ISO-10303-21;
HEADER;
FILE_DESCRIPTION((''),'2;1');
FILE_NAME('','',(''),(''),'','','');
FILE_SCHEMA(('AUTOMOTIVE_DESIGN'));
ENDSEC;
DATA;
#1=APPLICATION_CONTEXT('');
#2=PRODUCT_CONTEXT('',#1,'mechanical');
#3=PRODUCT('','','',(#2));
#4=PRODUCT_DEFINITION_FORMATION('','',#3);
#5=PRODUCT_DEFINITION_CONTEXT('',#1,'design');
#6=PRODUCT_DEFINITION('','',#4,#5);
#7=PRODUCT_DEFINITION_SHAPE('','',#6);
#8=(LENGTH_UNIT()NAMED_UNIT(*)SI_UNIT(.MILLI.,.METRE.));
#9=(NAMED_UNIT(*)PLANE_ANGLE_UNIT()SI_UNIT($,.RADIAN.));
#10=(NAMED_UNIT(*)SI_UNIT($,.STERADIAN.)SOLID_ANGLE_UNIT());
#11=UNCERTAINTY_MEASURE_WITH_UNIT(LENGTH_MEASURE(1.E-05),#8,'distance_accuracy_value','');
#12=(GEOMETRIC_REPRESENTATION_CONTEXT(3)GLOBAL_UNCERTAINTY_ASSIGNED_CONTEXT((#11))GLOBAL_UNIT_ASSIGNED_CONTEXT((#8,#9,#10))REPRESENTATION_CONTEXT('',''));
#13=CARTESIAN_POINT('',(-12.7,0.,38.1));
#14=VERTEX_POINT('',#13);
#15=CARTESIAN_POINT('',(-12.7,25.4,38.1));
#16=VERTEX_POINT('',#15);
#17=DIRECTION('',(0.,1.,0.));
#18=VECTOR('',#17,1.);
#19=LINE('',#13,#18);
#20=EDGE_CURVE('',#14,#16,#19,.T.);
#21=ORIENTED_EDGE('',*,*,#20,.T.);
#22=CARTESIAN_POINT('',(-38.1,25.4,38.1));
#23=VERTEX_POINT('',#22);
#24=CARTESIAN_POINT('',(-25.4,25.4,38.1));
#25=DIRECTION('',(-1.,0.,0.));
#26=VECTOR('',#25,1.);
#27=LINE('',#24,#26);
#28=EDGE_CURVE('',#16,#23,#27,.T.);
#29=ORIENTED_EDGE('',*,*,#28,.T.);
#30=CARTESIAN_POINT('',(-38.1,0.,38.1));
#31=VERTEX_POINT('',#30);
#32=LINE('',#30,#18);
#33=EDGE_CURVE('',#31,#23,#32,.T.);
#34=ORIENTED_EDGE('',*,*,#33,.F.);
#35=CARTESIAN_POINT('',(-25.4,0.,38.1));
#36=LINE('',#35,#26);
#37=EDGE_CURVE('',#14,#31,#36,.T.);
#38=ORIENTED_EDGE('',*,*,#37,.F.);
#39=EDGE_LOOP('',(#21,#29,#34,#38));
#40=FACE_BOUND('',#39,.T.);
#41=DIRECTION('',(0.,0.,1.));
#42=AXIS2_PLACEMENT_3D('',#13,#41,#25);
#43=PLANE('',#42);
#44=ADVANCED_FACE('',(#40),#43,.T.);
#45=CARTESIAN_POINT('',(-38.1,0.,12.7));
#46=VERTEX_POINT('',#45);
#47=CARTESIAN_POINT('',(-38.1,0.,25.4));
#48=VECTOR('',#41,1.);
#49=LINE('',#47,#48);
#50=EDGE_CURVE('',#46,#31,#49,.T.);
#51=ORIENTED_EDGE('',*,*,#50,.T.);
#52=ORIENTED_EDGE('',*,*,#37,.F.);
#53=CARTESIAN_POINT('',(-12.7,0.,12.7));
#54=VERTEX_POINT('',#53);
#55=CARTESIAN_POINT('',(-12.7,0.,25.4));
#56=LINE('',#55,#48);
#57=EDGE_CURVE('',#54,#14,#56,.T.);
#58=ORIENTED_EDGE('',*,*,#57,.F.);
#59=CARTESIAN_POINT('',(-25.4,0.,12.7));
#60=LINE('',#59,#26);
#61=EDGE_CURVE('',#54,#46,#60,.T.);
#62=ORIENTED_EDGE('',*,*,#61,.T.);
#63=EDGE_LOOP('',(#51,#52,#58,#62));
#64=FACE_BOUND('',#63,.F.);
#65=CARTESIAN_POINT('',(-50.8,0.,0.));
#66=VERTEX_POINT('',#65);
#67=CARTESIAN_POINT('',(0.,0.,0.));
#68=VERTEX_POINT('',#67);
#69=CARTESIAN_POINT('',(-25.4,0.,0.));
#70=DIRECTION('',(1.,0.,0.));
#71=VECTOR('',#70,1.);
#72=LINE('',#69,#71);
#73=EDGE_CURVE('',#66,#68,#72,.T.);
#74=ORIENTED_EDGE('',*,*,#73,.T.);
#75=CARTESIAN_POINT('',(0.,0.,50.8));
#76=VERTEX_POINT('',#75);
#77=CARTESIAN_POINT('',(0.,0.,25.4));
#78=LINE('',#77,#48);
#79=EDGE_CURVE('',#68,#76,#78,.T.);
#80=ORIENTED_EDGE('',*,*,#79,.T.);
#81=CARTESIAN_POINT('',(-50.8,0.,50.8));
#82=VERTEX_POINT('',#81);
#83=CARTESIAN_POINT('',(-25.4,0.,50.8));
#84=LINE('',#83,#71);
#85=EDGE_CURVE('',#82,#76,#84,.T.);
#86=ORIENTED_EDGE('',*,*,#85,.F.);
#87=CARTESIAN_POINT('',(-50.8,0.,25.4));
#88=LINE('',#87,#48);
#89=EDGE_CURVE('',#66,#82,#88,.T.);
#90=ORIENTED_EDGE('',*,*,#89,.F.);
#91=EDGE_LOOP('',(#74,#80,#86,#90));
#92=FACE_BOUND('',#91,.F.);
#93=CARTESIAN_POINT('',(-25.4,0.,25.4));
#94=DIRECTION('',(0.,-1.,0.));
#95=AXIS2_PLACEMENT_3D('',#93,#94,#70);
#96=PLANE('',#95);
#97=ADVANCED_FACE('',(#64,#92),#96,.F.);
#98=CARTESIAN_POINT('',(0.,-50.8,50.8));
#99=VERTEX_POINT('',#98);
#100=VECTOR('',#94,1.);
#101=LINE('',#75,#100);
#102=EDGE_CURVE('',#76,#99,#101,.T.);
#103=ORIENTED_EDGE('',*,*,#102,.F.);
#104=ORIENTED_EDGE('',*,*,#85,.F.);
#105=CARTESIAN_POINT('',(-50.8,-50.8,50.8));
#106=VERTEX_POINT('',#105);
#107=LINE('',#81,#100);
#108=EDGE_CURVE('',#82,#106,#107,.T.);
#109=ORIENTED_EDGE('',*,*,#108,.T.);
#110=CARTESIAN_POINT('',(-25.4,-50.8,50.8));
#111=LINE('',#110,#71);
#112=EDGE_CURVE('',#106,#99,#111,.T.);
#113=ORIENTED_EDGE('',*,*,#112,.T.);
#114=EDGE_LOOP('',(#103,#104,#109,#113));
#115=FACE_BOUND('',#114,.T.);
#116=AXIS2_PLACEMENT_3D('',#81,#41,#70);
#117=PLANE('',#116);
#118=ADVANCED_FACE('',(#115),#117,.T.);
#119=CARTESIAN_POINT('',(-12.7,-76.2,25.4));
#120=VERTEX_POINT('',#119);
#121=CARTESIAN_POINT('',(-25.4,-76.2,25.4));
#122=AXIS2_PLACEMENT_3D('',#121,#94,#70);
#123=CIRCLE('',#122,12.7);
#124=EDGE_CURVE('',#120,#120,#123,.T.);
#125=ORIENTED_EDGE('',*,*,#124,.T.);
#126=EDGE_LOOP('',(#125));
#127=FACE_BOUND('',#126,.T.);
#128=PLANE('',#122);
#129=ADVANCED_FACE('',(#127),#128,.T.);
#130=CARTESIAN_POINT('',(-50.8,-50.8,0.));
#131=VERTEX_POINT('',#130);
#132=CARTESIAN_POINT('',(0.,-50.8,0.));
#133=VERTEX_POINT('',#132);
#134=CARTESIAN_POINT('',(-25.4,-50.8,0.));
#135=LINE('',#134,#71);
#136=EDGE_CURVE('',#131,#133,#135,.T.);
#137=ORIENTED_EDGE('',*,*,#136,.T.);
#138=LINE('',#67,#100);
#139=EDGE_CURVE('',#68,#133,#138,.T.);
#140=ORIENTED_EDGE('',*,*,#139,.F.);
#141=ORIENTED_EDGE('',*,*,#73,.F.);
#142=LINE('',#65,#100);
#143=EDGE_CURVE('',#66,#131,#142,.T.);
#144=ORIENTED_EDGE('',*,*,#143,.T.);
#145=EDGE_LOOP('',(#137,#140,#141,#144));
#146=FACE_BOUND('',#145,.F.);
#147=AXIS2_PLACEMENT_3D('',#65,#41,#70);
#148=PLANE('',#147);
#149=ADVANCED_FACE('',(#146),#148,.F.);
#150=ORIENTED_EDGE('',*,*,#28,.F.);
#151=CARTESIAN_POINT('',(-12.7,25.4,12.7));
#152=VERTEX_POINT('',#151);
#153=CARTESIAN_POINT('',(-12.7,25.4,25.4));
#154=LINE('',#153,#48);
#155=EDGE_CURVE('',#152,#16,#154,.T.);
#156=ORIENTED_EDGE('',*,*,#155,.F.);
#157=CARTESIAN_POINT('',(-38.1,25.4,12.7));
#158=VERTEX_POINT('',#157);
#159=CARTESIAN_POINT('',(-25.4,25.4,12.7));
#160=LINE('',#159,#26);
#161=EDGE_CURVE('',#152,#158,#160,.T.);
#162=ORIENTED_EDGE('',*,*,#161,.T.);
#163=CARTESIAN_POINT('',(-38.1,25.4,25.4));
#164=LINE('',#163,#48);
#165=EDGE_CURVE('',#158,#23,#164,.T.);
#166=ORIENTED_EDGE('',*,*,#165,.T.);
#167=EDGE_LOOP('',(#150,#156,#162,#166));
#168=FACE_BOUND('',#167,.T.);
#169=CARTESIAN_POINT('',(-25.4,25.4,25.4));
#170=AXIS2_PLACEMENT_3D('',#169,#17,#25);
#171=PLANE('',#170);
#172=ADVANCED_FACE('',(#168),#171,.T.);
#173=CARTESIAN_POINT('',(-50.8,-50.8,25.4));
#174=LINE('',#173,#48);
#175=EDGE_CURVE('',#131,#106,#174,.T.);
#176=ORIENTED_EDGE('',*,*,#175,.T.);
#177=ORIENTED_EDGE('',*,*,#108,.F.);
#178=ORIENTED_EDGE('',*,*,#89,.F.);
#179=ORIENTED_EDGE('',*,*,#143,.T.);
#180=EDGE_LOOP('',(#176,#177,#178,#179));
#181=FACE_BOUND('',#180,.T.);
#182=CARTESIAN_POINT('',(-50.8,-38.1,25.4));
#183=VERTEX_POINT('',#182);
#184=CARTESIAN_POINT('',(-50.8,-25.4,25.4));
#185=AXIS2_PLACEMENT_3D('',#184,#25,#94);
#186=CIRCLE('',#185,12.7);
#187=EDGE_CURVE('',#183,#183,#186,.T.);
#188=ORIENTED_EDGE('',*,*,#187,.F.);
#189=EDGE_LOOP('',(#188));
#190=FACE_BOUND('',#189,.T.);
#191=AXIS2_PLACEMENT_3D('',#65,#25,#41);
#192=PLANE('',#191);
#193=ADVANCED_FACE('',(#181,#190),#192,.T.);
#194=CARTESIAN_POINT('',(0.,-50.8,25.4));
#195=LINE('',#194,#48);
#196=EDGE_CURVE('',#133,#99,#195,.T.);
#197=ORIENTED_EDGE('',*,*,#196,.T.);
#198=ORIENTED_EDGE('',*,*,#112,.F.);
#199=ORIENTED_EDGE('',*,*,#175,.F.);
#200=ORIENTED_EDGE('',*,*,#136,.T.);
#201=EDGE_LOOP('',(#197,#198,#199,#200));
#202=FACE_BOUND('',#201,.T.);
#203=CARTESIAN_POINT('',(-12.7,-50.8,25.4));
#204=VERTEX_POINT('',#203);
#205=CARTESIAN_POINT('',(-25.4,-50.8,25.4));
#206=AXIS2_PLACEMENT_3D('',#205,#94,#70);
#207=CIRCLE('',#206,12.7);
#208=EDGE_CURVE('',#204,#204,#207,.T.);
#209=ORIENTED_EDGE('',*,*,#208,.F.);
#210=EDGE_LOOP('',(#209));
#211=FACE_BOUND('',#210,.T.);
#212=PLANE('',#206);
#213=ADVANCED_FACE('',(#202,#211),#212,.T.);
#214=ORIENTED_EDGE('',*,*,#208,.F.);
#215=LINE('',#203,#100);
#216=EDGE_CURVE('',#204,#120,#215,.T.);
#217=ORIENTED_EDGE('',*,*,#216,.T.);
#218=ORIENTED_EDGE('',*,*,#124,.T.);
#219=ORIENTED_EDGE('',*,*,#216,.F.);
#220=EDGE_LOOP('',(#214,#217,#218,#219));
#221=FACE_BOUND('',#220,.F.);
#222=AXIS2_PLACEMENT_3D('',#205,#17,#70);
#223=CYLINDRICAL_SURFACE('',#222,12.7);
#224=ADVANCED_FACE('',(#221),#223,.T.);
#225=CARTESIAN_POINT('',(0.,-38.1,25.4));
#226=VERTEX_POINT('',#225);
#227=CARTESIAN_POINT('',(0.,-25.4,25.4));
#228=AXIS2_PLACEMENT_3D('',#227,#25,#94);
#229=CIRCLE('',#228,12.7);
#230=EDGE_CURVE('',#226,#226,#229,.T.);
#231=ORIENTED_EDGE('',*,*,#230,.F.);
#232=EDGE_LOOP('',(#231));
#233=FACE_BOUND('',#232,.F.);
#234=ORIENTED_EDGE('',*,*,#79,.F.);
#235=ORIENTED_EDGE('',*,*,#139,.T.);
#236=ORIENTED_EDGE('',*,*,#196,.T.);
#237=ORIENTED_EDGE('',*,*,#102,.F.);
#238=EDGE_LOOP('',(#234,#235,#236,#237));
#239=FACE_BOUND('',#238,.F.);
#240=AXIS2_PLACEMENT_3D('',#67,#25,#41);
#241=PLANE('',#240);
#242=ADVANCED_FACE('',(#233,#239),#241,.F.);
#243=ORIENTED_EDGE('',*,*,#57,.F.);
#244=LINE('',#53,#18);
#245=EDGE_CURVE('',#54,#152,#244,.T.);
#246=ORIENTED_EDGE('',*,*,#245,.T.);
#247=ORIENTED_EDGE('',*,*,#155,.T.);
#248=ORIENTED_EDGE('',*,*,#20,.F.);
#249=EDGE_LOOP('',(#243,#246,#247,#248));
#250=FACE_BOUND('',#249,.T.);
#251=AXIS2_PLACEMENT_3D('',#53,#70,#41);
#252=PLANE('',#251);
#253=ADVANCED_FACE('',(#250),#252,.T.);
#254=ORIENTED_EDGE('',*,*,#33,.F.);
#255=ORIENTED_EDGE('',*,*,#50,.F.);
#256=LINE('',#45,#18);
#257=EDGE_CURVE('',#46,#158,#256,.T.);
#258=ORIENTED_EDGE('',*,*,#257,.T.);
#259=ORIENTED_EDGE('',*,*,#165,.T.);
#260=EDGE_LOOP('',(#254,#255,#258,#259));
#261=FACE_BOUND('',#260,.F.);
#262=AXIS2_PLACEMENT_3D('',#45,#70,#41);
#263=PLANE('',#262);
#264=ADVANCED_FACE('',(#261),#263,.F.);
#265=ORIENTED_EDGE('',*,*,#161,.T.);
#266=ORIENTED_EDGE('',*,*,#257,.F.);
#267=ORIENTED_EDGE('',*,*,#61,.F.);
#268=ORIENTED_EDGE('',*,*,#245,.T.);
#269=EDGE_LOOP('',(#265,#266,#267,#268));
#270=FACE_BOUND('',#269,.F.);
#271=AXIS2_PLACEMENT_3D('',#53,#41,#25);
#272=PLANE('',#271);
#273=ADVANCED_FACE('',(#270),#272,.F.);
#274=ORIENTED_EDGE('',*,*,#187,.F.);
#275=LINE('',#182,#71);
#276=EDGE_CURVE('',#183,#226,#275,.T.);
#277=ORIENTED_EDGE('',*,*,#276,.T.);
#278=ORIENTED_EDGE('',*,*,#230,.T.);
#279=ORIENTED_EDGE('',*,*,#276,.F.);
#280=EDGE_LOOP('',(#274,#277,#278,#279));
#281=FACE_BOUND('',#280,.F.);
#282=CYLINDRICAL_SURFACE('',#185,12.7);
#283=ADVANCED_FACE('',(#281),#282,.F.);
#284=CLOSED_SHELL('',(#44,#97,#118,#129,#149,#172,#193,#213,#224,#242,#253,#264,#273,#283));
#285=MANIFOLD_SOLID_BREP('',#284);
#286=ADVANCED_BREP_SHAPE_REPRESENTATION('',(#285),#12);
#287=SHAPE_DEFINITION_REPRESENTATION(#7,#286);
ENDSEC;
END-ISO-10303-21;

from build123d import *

# Parameters (mm, degrees)
F0_W     = 50.8
F0_H     = 50.8
F1_DEPTH = 50.8
F2_R     = 12.7
F3_DEPTH = 25.4
F4_R     = 12.7
F5_DEPTH = 50.8
F6_W     = 25.4
F6_H     = 25.4
F7_DEPTH = 25.4


with BuildPart() as f1:
    # F0 (on Front) → F1 (new body)
    with BuildSketch(Plane.XZ):
        with Locations((-25.4, 25.4)):
            Rectangle(F0_W, F0_H)
    extrude(amount=F1_DEPTH)

    # F2 (on face) → F3 (join)
    with BuildSketch(Plane.XZ.offset(50.8)):
        with Locations((-25.4, 25.4)):
            Circle(F2_R)
    extrude(amount=F3_DEPTH)

    # F4 (on face) → F5 (cut)
    with BuildSketch(Plane(origin=(-50.8, 0, 0), x_dir=(0, -1, 0), z_dir=(-1, 0, 0))):
        with Locations((25.4, 25.4)):
            Circle(F4_R)
    extrude(amount=-F5_DEPTH, mode=Mode.SUBTRACT)

    # F6 (on face) → F7 (join)
    with BuildSketch(Plane(origin=(0, 0, 0), x_dir=(-1, 0, 0), z_dir=(0, 1, 0))):
        with Locations((25.4, 25.4)):
            Rectangle(F6_W, F6_H)
    extrude(amount=F7_DEPTH)


solid = f1.part
